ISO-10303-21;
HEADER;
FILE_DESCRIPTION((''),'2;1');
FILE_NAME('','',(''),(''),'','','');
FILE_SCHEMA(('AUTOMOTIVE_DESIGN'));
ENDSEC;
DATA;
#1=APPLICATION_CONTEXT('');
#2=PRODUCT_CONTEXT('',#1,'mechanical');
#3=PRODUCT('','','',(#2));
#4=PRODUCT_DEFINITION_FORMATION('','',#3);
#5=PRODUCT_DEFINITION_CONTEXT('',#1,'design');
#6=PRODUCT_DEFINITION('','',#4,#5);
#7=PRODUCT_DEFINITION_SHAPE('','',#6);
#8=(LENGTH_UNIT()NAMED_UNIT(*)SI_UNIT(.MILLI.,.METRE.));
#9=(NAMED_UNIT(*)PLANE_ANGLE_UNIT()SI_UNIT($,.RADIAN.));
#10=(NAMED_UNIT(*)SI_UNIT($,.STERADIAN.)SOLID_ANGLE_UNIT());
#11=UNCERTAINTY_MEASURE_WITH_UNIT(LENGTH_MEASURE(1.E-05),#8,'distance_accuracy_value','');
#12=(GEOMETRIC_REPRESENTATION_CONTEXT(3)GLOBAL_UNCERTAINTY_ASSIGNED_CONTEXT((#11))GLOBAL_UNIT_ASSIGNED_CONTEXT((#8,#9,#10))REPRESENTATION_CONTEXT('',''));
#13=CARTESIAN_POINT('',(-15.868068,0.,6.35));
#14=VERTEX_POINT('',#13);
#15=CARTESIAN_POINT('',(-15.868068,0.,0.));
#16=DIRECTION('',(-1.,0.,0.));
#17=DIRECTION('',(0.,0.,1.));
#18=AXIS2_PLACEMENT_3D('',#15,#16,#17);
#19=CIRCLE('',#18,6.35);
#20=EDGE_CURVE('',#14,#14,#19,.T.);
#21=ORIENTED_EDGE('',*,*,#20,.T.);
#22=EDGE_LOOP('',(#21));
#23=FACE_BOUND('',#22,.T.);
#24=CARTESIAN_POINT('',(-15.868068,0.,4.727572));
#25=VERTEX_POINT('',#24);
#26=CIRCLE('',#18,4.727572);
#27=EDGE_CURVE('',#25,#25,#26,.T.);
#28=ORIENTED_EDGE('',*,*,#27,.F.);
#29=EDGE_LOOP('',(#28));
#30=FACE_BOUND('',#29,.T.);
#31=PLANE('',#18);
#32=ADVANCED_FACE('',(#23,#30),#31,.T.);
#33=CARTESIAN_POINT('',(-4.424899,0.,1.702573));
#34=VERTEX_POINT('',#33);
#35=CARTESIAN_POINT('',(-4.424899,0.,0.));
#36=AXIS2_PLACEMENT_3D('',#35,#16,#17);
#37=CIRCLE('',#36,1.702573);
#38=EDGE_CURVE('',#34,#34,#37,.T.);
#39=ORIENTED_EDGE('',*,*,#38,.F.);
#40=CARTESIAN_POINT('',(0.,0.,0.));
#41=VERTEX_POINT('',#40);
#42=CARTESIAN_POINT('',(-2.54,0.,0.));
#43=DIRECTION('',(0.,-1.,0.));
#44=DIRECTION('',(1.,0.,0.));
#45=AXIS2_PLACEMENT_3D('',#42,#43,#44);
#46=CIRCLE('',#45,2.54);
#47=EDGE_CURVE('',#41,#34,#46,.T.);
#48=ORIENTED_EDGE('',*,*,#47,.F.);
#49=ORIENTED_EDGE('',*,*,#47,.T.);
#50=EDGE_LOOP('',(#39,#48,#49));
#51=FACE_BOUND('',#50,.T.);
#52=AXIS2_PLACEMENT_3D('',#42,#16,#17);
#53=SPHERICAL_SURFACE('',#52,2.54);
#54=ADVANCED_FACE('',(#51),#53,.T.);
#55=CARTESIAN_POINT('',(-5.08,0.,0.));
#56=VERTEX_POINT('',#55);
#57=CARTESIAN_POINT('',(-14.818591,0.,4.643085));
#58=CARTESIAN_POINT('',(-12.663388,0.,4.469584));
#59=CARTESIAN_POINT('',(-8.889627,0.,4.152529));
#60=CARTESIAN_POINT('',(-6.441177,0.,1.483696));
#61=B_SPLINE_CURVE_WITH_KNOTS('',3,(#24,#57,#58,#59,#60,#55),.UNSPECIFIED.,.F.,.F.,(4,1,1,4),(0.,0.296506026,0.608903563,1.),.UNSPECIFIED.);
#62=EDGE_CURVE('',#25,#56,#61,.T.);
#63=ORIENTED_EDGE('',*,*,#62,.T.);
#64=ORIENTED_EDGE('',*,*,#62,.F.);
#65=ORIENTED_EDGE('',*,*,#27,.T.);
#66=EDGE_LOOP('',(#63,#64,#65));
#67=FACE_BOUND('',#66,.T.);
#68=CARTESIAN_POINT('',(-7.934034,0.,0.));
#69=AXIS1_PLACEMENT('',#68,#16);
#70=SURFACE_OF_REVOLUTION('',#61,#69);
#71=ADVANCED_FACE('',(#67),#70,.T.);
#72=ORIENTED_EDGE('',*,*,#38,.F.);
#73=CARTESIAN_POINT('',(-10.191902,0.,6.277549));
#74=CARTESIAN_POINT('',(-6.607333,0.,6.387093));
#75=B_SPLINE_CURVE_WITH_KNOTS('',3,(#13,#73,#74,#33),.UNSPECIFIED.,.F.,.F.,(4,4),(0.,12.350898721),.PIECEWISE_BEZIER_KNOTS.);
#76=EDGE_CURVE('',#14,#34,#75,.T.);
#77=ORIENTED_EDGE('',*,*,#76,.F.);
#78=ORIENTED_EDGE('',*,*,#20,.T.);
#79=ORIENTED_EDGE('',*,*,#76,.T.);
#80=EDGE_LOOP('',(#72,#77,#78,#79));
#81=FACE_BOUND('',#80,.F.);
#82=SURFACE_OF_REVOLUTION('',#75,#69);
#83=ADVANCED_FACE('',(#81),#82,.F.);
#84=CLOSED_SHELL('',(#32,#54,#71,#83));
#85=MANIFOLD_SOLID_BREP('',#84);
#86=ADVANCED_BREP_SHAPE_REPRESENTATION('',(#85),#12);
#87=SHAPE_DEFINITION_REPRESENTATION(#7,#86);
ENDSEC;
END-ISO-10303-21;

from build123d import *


with BuildPart() as f1:
    # F0 (on Front) → F1 (revolve)
    with BuildSketch(Plane.XZ):
        with BuildLine():
            add(Edge.make_bspline(
                [(-15.8680682766, 4.727571737), (-14.8185906787, 4.6430852044), (-12.6633877724, 4.4695840064), (-8.8896265565, 4.1525285838), (-6.4411770736, 1.4836957434), (-5.08, 0)],
                knots=[0, 0, 0, 0, 0.2965060258, 0.608903563, 1, 1, 1, 1], degree=3))
            ThreePointArc((-5.08, 0), (-4.9105741148, 0.9121284813), (-4.4248989241, 1.7025733599))
            add(Edge.make_bspline(
                [(-15.8680682766, 6.35), (-10.1919021766, 6.277549286), (-6.6073332176, 6.3870927435), (-4.4248989241, 1.7025733599)],
                knots=[0, 0, 0, 0, 12.3508987205, 12.3508987205, 12.3508987205, 12.3508987205], degree=3))
            Line((-15.8680682766, 6.35), (-15.8680682766, 4.727571737))
        make_face()
        with BuildLine():
            Line((-5.08, 0), (0, 0))
            ThreePointArc((0, 0), (-1.6278715187, 2.3705741148), (-4.4248989241, 1.7025733599))
            ThreePointArc((-4.4248989241, 1.7025733599), (-4.9105741148, 0.9121284813), (-5.08, 0))
        make_face()
    revolve(axis=Axis((-7.9340341383, 0, 0), (-1, 0, 0)))


solid = f1.part
